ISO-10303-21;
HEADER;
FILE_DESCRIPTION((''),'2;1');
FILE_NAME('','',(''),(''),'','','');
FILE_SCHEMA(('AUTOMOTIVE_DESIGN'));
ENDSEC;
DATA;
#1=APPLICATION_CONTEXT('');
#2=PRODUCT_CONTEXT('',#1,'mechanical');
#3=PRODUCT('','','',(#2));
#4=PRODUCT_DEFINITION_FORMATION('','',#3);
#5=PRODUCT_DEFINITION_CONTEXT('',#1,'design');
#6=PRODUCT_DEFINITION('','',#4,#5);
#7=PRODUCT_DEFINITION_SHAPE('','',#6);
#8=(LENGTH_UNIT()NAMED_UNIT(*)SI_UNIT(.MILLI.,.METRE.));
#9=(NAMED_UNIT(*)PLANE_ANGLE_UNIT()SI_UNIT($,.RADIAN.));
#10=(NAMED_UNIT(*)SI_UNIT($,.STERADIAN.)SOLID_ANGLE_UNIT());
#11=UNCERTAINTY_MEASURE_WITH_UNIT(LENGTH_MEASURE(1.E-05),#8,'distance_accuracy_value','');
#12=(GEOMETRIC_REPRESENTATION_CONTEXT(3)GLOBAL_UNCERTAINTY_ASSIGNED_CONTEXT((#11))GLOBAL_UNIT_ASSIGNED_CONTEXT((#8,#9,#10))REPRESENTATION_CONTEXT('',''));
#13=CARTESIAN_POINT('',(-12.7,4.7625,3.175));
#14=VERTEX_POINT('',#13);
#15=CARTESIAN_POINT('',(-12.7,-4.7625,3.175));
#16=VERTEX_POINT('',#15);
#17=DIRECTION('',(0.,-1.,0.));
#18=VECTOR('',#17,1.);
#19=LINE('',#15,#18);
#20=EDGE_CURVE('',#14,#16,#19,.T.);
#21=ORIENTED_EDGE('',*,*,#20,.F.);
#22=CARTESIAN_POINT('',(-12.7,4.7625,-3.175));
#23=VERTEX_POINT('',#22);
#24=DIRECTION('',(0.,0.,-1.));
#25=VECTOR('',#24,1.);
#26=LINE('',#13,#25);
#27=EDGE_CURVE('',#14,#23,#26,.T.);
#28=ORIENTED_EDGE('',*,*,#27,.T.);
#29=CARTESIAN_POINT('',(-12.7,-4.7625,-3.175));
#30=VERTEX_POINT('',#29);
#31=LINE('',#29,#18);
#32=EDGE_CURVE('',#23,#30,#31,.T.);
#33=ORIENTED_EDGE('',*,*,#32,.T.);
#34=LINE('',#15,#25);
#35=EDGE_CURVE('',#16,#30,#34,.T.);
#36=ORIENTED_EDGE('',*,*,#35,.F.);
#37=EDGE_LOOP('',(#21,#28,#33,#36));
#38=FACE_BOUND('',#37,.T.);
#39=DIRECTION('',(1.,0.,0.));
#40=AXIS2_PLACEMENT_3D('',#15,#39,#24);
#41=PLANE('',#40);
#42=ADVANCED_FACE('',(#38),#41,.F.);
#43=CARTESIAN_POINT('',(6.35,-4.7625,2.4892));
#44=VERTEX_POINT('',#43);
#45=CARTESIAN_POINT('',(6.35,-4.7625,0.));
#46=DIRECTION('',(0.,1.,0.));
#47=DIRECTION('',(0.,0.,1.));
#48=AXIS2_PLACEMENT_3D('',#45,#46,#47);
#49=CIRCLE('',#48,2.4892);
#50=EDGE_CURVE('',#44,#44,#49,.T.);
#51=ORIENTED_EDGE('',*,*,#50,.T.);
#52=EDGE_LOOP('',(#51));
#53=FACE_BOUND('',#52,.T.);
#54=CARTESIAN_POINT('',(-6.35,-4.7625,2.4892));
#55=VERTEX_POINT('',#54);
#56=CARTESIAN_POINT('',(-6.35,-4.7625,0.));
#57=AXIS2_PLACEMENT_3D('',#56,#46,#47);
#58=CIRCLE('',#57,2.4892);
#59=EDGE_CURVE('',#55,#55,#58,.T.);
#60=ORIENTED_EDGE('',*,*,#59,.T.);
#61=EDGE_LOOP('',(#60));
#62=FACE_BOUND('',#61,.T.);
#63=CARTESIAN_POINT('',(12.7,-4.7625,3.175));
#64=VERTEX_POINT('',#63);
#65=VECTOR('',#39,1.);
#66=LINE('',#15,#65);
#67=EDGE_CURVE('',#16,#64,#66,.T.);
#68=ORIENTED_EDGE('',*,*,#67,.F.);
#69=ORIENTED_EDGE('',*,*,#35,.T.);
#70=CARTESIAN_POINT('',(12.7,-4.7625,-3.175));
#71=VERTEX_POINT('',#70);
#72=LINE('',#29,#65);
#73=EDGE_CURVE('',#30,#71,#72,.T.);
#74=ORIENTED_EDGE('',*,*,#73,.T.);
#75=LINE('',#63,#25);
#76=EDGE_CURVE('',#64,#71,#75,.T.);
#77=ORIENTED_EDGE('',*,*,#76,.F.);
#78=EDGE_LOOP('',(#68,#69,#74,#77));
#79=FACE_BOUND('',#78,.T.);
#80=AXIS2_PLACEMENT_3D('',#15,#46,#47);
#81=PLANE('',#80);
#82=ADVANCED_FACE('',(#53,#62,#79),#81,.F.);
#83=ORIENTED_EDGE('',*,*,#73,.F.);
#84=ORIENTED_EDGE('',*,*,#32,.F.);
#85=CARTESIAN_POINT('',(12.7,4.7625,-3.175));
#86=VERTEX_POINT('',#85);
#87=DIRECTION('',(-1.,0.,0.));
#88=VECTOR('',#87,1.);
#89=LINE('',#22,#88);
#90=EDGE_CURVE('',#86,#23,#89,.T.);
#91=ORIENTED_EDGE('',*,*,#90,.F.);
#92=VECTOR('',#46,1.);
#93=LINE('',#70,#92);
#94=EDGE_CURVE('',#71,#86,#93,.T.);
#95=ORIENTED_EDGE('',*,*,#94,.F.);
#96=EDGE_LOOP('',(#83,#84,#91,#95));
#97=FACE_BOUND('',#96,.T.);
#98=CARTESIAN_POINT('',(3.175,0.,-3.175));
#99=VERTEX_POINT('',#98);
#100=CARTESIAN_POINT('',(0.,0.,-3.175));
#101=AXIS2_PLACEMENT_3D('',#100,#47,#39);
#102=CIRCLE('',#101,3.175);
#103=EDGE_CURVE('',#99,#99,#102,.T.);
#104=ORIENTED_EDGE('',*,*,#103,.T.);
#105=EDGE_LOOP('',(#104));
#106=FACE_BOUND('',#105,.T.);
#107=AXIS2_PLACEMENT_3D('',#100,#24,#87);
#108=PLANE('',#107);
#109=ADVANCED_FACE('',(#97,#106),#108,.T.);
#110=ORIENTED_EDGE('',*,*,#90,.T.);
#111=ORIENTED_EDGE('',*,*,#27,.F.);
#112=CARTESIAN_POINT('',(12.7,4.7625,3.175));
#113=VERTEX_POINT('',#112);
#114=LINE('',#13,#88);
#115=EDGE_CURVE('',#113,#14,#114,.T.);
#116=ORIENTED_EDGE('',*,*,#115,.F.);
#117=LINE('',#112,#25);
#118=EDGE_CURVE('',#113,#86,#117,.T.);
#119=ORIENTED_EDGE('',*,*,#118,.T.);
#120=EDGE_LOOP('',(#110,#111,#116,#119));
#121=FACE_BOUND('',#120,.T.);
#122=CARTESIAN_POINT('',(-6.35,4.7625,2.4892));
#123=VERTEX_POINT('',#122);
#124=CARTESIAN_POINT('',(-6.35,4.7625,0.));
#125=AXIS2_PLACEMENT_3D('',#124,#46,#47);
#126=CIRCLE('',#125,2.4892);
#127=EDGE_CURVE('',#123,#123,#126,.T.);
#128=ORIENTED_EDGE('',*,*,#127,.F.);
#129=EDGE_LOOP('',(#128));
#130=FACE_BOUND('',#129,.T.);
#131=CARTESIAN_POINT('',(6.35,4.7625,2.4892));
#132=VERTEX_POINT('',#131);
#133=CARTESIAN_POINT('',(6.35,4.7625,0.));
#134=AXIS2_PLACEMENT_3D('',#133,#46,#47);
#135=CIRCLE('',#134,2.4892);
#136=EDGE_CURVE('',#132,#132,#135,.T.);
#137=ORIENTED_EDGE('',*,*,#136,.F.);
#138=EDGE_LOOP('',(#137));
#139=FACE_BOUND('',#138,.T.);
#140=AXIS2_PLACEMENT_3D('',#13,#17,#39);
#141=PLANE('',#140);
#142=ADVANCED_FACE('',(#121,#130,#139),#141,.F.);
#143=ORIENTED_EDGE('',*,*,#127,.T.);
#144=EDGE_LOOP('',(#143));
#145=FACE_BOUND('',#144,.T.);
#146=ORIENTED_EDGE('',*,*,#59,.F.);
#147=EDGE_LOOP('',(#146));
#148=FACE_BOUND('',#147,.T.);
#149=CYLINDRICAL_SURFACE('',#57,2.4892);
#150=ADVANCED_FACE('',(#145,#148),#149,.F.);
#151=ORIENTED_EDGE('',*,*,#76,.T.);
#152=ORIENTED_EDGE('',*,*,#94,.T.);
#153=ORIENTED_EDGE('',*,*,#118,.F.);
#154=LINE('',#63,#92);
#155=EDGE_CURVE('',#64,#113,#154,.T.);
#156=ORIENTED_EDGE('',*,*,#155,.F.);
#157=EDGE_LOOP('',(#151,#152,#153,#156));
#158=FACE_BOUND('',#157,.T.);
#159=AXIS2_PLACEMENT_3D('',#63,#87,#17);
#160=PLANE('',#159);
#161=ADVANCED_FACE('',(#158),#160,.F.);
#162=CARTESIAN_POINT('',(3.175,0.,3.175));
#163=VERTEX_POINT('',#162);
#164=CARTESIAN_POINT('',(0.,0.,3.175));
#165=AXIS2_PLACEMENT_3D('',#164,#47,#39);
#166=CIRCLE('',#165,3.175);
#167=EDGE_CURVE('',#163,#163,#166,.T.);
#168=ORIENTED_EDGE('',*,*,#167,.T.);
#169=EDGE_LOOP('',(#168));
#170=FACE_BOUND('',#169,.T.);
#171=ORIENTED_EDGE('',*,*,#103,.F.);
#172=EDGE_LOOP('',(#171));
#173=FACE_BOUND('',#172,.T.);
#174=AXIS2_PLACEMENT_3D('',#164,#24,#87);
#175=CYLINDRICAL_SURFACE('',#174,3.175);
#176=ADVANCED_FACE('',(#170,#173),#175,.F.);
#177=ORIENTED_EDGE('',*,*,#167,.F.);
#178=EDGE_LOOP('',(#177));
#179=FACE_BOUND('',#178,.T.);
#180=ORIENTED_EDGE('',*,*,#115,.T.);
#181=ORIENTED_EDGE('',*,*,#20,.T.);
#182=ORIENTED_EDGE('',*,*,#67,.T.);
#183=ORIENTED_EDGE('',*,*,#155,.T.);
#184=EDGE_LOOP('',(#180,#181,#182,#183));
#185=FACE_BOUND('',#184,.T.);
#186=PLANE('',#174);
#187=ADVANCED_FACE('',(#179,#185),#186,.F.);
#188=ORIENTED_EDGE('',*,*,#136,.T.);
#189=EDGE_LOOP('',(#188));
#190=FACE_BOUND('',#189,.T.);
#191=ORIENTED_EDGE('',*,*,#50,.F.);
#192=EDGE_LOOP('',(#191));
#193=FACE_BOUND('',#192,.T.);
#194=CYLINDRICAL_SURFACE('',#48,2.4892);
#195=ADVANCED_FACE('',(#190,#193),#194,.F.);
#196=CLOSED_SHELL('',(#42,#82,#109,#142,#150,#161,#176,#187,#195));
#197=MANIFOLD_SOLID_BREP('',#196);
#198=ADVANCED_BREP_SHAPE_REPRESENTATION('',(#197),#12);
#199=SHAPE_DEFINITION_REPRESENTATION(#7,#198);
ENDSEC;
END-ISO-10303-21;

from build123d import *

# Parameters (mm, degrees)
SKETCH1_W               = 25.4
SKETCH1_H               = 9.525
SKETCH1_R               = 3.175
BOSS_EXTRUDE1_DEPTH     = 3.175
CUT_EXTRUDE1_DEPTH      = 14.930255965
CUT_EXTRUDE1_DEPTH_BACK = 14.930255965
SKETCH2_R               = 2.4892


with BuildPart() as part:
    # Sketch1 → Boss-Extrude1 (new, symmetric)
    with BuildSketch(Plane.XY):
        Rectangle(SKETCH1_W, SKETCH1_H)
        Circle(SKETCH1_R, mode=Mode.SUBTRACT)
    extrude(amount=BOSS_EXTRUDE1_DEPTH, both=True)

    # Sketch2 → Cut-Extrude1 (cut, two sides: drawn at the far end of the back side and taken through both)
    with BuildSketch(Plane(origin=(0, 0, 0), x_dir=(1, 0, 0), z_dir=(0, 1, 0)).offset(-CUT_EXTRUDE1_DEPTH_BACK)):
        with Locations(Location((6.35, 0, 0), (0, 0, 270))):
            Circle(SKETCH2_R)
        with Locations(Location((-6.35, 0, 0), (0, 0, 270))):
            Circle(SKETCH2_R)
    extrude(amount=CUT_EXTRUDE1_DEPTH + CUT_EXTRUDE1_DEPTH_BACK, mode=Mode.SUBTRACT)


solid = part.part
